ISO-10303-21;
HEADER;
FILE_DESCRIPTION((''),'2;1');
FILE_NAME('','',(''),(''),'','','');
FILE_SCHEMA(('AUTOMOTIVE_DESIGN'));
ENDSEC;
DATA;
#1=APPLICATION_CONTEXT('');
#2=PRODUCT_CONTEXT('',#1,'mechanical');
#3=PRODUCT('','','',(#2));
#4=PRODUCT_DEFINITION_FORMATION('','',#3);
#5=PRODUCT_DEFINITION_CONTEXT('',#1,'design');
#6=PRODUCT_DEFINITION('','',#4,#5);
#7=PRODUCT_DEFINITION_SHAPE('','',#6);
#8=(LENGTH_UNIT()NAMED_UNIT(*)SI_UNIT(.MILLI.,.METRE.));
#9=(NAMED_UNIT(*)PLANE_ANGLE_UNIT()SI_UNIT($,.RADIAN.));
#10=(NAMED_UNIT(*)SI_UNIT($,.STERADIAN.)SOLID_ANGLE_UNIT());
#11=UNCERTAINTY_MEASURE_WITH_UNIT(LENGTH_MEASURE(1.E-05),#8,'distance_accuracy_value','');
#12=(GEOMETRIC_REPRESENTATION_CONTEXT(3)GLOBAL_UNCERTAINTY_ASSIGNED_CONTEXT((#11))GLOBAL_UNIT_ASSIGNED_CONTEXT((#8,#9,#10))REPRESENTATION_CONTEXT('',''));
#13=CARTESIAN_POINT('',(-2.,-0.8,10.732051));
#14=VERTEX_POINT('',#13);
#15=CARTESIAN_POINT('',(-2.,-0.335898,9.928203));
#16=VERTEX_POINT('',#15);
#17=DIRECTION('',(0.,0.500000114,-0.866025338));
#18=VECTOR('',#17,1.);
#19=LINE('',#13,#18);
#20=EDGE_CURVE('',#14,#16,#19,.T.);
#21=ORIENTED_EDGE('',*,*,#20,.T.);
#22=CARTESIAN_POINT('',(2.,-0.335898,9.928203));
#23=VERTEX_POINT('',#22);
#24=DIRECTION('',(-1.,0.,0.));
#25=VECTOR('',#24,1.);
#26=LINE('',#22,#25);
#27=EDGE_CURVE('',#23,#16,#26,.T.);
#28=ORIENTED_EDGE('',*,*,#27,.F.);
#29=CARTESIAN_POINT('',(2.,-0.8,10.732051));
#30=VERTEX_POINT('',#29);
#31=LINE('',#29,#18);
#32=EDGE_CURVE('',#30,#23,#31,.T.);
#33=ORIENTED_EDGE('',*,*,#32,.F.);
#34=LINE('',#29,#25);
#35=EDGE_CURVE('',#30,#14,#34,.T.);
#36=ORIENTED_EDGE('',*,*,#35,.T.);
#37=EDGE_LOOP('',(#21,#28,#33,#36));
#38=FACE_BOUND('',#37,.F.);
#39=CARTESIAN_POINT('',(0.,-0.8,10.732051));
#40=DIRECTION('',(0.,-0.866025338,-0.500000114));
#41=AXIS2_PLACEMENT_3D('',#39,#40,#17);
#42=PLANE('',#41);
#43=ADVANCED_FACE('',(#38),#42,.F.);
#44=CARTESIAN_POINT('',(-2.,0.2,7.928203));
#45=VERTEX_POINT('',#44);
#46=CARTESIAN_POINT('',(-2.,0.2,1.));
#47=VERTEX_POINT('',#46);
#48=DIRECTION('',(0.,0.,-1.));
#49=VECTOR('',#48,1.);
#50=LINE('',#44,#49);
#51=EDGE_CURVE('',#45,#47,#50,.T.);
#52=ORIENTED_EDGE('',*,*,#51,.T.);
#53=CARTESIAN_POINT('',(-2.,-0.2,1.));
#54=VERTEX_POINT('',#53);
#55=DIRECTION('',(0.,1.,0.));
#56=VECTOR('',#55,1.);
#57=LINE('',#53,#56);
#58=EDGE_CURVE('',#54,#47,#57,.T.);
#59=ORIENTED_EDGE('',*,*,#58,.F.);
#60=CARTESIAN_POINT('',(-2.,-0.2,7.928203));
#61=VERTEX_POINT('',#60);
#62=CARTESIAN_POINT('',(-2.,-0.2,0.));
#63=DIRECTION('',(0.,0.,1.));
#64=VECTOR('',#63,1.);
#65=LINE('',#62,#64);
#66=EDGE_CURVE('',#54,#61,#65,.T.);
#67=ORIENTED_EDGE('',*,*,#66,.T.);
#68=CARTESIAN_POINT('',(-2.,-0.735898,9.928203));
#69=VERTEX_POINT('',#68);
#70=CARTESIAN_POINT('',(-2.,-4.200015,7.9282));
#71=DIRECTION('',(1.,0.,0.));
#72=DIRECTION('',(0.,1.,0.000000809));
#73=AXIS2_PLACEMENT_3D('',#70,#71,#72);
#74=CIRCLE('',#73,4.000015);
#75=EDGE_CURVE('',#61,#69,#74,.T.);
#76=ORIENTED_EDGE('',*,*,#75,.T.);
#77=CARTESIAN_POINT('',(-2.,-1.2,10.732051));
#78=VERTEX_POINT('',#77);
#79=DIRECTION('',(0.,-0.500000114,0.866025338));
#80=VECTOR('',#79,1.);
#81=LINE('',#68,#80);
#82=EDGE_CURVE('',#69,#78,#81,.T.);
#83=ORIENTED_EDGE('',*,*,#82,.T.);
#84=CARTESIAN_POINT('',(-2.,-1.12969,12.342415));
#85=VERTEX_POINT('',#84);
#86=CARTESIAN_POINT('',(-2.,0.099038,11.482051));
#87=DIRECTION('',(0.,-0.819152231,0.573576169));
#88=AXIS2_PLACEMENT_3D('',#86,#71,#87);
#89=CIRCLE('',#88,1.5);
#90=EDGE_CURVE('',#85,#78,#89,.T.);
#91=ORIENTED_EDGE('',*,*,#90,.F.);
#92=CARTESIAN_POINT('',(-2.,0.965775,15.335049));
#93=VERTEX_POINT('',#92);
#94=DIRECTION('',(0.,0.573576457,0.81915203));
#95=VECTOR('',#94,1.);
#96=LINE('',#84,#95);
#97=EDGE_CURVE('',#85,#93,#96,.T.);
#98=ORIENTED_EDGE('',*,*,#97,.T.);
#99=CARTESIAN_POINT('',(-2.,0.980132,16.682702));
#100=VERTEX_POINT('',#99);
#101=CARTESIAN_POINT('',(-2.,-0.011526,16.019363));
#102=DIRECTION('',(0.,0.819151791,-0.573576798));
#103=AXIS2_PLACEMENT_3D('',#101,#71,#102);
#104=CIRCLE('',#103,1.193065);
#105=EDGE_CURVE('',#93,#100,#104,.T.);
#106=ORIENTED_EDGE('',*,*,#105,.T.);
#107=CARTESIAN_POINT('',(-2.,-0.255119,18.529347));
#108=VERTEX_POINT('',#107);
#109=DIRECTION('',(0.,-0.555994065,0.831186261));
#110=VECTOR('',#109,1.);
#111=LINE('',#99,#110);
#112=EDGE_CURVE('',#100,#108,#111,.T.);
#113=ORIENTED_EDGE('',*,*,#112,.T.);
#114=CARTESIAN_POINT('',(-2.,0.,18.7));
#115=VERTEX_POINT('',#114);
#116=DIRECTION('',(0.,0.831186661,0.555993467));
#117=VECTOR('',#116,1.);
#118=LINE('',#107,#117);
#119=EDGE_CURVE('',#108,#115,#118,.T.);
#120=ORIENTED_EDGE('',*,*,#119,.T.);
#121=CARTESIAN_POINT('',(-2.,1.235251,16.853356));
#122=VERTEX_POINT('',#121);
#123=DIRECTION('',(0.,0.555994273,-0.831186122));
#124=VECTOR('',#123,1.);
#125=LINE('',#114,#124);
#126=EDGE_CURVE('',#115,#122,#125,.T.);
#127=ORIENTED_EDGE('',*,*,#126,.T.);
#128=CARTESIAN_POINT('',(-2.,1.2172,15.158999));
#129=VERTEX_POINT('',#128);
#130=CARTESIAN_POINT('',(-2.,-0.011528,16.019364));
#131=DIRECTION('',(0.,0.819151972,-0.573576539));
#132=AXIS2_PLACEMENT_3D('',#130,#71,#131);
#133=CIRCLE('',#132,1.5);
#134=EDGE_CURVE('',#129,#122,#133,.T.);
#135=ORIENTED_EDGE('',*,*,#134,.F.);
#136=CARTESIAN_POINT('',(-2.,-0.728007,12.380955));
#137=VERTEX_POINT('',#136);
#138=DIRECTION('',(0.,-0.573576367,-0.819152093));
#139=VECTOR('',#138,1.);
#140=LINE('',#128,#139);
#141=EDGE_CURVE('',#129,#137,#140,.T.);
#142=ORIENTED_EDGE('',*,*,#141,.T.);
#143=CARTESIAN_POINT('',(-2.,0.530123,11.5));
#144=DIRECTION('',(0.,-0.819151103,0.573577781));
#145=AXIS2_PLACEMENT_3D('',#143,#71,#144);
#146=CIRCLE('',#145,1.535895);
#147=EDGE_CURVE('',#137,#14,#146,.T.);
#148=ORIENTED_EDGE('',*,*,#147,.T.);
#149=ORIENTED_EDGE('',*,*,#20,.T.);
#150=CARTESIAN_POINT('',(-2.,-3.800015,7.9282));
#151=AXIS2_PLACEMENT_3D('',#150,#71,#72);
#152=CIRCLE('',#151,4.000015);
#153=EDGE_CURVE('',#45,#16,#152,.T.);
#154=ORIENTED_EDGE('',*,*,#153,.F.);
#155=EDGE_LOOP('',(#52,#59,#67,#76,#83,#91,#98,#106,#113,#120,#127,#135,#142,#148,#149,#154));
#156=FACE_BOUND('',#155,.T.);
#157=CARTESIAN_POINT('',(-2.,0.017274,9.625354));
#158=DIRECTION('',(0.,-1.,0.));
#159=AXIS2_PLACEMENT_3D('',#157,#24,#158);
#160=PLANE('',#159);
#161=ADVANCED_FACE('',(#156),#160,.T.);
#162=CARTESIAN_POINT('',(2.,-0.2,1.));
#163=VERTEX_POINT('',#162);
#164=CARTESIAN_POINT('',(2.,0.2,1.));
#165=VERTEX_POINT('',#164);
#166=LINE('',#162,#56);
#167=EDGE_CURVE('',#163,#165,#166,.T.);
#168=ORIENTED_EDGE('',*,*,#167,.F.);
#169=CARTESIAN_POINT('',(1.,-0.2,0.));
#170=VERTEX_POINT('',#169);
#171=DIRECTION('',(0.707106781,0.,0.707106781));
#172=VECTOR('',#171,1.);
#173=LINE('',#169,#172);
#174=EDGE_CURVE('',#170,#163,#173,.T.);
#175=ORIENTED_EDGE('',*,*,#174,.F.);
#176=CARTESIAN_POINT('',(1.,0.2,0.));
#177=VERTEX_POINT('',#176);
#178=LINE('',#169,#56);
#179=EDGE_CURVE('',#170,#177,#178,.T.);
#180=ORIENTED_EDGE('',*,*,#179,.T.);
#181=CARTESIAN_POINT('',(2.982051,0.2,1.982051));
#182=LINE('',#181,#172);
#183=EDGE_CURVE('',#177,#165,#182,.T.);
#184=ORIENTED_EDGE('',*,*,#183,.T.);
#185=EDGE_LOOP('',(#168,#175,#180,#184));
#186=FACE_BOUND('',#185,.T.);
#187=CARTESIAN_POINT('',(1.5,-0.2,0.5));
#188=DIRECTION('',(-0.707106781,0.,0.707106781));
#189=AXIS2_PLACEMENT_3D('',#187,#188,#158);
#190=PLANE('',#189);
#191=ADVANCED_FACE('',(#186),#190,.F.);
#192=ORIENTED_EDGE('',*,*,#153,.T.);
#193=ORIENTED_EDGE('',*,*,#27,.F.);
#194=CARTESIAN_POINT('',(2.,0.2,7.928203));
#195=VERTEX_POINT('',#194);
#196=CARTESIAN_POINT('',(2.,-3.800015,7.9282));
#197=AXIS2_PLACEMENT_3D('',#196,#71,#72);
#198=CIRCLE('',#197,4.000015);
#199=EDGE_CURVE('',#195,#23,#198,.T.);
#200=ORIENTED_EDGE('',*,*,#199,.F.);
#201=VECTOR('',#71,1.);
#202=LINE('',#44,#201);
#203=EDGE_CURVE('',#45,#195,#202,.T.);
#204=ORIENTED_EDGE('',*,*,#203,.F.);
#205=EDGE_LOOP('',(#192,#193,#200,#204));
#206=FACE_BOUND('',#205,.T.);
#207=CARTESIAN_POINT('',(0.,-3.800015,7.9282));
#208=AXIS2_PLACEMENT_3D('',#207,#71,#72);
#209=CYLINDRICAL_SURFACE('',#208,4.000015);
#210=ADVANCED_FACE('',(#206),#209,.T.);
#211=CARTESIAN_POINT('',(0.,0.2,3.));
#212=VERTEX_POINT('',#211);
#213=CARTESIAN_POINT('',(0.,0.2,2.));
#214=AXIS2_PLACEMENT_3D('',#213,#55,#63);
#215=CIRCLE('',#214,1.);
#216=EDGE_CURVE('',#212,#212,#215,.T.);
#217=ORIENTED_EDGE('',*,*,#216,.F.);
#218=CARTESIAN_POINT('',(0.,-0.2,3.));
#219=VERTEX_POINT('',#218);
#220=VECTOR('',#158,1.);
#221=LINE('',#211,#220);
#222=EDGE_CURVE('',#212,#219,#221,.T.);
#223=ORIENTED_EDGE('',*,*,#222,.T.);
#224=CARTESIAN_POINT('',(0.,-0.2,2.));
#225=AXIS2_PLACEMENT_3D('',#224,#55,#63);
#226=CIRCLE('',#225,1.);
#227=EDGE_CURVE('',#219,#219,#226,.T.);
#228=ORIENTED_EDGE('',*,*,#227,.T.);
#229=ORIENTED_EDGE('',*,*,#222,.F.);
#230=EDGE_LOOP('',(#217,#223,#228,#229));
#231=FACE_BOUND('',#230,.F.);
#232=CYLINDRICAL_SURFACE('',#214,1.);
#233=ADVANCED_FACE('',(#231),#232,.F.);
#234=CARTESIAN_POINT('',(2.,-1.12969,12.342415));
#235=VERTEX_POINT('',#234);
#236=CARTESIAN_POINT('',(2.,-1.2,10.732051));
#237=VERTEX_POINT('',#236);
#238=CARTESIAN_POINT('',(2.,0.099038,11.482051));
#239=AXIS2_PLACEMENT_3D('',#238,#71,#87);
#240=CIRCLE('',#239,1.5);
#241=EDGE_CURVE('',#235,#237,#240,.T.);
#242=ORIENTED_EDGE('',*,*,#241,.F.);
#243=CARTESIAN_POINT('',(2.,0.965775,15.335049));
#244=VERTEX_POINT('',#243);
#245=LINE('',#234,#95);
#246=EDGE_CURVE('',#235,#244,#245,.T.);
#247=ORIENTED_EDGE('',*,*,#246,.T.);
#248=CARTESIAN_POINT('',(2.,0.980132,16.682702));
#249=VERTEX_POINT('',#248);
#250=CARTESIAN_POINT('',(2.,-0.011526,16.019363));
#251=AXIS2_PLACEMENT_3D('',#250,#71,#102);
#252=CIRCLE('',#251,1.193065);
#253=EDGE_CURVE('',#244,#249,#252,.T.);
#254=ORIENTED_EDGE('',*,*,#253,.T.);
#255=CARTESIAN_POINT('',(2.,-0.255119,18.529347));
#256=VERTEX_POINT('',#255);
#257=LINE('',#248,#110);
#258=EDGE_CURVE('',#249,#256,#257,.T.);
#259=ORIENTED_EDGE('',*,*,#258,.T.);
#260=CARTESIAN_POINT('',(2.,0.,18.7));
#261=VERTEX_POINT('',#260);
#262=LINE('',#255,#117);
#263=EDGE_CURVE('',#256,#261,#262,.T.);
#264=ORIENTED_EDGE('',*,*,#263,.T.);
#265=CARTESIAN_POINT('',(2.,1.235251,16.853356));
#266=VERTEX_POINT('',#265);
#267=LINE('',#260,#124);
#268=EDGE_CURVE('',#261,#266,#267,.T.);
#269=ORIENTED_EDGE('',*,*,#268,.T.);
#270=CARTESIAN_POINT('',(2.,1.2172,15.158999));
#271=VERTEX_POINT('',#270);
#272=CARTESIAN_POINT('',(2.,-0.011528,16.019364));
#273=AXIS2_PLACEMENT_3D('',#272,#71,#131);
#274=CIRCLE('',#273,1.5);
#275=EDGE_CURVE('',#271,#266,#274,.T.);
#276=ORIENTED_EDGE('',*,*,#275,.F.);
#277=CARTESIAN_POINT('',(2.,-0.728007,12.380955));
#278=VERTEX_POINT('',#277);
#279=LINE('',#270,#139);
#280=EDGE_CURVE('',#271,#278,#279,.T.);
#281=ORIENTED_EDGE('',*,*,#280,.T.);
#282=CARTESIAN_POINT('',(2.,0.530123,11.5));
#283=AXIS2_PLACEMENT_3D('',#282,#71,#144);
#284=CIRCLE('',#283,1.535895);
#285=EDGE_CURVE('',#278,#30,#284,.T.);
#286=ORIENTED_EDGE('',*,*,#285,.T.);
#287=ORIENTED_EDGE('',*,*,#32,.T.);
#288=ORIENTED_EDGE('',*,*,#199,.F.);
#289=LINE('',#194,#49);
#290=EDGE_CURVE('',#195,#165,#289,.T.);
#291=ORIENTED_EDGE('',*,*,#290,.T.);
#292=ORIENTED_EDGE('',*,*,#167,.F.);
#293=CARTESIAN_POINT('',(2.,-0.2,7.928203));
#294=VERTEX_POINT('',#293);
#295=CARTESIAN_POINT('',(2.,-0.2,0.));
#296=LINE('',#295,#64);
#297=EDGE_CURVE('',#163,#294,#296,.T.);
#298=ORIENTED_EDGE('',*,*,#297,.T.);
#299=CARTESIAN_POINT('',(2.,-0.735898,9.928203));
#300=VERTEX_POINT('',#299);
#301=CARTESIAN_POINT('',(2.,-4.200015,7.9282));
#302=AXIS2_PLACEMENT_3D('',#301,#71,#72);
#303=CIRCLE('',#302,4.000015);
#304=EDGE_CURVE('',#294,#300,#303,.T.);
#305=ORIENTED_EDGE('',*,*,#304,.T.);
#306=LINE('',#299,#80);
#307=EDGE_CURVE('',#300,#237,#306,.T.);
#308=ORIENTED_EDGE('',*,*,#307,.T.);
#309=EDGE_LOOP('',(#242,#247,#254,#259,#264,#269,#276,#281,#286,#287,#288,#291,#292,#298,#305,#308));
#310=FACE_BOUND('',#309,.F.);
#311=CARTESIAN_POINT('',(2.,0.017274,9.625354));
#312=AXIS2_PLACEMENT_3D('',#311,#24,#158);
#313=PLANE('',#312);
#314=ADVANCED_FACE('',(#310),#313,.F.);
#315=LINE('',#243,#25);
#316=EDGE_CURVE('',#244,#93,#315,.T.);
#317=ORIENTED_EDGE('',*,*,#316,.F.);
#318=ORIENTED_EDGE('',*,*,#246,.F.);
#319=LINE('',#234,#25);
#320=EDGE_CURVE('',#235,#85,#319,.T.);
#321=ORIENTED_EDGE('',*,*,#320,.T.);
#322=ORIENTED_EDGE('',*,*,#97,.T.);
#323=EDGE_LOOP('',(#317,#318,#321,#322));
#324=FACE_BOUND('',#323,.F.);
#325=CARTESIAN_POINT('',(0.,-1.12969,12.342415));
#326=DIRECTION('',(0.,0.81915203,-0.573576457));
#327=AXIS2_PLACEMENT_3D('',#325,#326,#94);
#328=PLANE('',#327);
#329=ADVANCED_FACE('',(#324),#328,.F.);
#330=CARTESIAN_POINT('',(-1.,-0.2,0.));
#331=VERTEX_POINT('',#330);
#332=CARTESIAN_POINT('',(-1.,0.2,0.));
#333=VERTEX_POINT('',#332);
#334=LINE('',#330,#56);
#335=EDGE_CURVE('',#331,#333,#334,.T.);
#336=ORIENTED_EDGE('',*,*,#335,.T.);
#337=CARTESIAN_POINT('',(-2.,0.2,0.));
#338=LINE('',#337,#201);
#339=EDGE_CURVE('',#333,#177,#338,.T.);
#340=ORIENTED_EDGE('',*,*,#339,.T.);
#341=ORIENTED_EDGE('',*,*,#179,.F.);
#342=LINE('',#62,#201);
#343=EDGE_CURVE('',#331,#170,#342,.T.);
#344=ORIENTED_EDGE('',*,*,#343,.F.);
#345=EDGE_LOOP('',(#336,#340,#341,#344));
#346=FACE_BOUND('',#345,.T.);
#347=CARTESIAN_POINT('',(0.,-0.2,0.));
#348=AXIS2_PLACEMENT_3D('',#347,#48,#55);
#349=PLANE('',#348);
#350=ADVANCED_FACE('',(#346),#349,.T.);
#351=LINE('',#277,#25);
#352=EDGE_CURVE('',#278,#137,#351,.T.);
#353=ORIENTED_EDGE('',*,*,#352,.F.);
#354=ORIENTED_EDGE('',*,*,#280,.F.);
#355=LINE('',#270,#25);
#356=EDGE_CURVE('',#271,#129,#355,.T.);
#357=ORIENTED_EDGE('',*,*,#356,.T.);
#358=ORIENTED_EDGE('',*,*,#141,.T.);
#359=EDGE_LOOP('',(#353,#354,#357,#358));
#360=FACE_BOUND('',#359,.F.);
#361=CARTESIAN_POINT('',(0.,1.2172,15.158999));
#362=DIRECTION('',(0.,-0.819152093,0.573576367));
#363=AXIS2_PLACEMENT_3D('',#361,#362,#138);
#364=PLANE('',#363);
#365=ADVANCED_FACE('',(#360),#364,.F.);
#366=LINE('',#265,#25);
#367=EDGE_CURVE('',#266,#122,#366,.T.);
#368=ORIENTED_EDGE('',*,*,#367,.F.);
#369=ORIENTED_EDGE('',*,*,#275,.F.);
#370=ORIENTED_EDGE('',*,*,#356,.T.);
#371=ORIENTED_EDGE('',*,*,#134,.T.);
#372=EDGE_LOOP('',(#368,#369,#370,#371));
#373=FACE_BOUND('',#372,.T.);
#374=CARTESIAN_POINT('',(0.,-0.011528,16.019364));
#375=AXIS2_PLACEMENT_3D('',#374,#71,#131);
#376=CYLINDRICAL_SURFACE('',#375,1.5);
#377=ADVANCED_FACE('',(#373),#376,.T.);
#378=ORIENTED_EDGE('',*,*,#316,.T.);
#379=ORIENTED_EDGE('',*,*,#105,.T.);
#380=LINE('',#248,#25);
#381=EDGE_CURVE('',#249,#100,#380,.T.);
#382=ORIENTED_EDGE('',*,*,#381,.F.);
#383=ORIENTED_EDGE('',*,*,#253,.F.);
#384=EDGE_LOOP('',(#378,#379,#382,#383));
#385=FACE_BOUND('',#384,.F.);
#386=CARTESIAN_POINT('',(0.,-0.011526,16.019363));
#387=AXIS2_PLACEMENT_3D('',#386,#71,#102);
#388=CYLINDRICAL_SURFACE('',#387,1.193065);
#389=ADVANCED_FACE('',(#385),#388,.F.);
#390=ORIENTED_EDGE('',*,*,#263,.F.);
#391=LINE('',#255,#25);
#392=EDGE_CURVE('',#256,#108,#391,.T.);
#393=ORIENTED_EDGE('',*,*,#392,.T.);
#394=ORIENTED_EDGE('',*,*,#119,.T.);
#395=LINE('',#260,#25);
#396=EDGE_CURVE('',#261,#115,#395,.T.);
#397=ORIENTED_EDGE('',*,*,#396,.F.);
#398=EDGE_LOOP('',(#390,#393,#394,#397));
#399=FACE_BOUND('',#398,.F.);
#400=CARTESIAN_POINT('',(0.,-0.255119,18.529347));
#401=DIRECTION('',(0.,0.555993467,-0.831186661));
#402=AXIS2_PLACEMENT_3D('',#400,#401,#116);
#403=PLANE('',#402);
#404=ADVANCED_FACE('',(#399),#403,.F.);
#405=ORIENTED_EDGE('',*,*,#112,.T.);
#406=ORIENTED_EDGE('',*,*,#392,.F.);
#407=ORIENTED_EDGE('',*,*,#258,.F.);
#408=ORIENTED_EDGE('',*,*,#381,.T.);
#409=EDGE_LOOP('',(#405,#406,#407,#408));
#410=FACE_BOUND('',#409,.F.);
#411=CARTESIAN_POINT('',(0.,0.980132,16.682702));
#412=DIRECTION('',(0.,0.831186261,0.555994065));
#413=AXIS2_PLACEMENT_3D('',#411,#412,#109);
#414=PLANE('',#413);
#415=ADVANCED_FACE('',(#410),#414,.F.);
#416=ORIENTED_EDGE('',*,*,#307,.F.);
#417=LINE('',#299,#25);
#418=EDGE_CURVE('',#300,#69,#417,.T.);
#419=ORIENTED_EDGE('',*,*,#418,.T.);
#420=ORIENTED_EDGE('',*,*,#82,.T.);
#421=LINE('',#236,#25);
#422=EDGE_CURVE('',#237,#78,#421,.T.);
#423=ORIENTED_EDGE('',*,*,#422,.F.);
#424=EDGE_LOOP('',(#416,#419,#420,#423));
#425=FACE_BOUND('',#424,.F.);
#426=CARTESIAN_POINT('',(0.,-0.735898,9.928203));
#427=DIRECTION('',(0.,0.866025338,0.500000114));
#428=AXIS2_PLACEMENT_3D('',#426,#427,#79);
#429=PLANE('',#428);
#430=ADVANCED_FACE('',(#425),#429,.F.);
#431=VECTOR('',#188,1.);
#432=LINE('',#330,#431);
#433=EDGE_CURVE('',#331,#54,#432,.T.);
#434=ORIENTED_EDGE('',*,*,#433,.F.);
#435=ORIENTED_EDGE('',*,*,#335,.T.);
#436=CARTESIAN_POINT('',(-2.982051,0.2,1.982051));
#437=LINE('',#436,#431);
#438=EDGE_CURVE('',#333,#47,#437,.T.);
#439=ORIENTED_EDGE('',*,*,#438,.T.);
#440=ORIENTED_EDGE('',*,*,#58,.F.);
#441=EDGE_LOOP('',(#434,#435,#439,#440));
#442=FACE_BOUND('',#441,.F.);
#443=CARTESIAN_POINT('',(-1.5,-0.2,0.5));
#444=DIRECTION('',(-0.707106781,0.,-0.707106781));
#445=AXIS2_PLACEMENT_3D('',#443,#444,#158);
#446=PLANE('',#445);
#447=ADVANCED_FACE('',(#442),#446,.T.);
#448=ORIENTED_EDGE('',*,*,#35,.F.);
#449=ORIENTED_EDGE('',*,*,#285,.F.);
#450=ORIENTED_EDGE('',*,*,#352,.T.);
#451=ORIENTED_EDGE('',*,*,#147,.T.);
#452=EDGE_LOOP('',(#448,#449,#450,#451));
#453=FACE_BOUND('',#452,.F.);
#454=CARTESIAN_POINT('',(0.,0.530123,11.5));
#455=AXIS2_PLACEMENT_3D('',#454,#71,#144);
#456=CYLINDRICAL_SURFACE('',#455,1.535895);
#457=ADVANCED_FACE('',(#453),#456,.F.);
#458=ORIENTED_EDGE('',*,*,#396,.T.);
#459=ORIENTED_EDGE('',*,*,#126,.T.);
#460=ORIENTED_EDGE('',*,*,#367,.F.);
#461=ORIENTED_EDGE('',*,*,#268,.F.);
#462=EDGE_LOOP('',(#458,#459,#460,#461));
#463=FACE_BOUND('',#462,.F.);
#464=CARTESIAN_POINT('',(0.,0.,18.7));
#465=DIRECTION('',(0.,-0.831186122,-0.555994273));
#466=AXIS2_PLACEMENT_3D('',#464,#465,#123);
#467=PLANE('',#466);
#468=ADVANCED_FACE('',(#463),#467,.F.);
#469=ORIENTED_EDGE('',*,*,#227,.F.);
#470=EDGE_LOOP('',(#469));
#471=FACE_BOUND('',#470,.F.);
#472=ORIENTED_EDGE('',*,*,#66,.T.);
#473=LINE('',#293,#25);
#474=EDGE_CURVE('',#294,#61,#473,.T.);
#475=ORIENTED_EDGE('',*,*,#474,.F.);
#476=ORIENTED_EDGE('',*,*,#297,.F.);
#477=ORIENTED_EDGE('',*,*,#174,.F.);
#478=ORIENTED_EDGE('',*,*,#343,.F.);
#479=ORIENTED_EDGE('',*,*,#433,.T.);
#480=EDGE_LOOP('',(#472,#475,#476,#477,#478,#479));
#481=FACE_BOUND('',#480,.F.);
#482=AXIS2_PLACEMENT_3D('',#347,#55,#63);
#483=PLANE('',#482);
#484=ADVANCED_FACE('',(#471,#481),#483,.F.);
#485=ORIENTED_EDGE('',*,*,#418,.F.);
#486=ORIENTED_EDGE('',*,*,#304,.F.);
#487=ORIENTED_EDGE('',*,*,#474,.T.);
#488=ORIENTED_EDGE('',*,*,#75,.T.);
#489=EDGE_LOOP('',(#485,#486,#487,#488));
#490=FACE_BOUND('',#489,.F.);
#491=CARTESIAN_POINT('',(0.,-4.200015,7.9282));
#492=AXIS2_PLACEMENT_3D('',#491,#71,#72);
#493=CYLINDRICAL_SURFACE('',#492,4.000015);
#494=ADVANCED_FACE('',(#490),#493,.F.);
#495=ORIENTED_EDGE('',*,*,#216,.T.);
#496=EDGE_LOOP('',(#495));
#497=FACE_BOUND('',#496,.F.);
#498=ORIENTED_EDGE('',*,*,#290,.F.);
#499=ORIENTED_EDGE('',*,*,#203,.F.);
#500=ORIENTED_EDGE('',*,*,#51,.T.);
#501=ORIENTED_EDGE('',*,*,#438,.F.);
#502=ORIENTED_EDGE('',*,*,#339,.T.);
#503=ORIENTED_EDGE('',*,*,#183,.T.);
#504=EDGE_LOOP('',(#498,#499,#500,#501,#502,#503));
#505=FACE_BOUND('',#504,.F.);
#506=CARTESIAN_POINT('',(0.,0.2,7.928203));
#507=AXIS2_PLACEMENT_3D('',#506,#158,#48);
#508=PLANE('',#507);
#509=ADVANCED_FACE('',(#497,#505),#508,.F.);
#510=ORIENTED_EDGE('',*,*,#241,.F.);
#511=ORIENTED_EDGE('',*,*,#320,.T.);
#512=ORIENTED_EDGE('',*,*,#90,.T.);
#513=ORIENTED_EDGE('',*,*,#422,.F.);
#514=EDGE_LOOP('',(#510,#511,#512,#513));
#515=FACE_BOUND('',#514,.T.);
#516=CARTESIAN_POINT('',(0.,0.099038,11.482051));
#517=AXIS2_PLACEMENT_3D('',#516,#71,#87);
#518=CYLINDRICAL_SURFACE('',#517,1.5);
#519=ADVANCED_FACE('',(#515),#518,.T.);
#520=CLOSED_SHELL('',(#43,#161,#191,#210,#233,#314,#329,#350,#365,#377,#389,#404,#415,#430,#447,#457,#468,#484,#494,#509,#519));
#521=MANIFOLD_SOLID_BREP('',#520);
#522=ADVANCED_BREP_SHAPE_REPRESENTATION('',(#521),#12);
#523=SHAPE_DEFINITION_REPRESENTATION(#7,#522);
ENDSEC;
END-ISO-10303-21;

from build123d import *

# Parameters (mm, degrees)
PAD001_DEPTH = 2
SKETCH002_R  = 1
POCKET_DEPTH = 5
CHAMFER_SIZE = 1


with BuildPart() as part:
    # Sketch001 → Pad001 (new body, symmetric)
    with BuildSketch(Plane.YZ):
        with BuildLine():
            Line((-0.2, 0), (-0.2, 7.928203))
            ThreePointArc((-0.2, 7.928203), (-0.336297, 8.963479), (-0.735898, 9.928203))
            Line((-0.735898, 9.928203), (-1.2, 10.732051))
            ThreePointArc((-1.12969, 12.342415), (-1.399534, 11.54748), (-1.2, 10.732051))
            Line((-1.12969, 12.342415), (0.965775, 15.335049))
            ThreePointArc((0.965775, 15.335049), (1.181471, 16.006654), (0.980132, 16.682702))
            Line((0.980132, 16.682702), (-0.255119, 18.529347))
            Line((-0.255119, 18.529347), (0, 18.7))
            Line((0, 18.7), (1.235251, 16.853356))
            ThreePointArc((1.2172, 15.158999), (1.488387, 16.003385), (1.235251, 16.853356))
            Line((1.2172, 15.158999), (-0.728007, 12.380955))
            ThreePointArc((-0.728007, 12.380955), (-1.00431, 11.566995), (-0.8, 10.732051))
            Line((-0.8, 10.732051), (-0.335898, 9.928203))
            ThreePointArc((0.2, 7.928203), (0.063703, 8.963479), (-0.335898, 9.928203))
            Line((0.2, 7.928203), (0.2, 0))
            Line((-0.2, 0), (0.2, 0))
        make_face()
    extrude(amount=PAD001_DEPTH, both=True)

    # Sketch002 (on Face1 of Pad001) → Pocket (cut)
    with BuildSketch(Plane.ZX.offset(0.2)):
        with Locations((2, 0)):
            Circle(SKETCH002_R)
    extrude(amount=-POCKET_DEPTH, mode=Mode.SUBTRACT)

    # Chamfer
    chamfer_edges = [part.edges().sort_by_distance(p)[0] for p in [
        (2, 0, 0),
        (-2, 0, 0),
    ]]
    chamfer(chamfer_edges, length=CHAMFER_SIZE)


solid = part.part
